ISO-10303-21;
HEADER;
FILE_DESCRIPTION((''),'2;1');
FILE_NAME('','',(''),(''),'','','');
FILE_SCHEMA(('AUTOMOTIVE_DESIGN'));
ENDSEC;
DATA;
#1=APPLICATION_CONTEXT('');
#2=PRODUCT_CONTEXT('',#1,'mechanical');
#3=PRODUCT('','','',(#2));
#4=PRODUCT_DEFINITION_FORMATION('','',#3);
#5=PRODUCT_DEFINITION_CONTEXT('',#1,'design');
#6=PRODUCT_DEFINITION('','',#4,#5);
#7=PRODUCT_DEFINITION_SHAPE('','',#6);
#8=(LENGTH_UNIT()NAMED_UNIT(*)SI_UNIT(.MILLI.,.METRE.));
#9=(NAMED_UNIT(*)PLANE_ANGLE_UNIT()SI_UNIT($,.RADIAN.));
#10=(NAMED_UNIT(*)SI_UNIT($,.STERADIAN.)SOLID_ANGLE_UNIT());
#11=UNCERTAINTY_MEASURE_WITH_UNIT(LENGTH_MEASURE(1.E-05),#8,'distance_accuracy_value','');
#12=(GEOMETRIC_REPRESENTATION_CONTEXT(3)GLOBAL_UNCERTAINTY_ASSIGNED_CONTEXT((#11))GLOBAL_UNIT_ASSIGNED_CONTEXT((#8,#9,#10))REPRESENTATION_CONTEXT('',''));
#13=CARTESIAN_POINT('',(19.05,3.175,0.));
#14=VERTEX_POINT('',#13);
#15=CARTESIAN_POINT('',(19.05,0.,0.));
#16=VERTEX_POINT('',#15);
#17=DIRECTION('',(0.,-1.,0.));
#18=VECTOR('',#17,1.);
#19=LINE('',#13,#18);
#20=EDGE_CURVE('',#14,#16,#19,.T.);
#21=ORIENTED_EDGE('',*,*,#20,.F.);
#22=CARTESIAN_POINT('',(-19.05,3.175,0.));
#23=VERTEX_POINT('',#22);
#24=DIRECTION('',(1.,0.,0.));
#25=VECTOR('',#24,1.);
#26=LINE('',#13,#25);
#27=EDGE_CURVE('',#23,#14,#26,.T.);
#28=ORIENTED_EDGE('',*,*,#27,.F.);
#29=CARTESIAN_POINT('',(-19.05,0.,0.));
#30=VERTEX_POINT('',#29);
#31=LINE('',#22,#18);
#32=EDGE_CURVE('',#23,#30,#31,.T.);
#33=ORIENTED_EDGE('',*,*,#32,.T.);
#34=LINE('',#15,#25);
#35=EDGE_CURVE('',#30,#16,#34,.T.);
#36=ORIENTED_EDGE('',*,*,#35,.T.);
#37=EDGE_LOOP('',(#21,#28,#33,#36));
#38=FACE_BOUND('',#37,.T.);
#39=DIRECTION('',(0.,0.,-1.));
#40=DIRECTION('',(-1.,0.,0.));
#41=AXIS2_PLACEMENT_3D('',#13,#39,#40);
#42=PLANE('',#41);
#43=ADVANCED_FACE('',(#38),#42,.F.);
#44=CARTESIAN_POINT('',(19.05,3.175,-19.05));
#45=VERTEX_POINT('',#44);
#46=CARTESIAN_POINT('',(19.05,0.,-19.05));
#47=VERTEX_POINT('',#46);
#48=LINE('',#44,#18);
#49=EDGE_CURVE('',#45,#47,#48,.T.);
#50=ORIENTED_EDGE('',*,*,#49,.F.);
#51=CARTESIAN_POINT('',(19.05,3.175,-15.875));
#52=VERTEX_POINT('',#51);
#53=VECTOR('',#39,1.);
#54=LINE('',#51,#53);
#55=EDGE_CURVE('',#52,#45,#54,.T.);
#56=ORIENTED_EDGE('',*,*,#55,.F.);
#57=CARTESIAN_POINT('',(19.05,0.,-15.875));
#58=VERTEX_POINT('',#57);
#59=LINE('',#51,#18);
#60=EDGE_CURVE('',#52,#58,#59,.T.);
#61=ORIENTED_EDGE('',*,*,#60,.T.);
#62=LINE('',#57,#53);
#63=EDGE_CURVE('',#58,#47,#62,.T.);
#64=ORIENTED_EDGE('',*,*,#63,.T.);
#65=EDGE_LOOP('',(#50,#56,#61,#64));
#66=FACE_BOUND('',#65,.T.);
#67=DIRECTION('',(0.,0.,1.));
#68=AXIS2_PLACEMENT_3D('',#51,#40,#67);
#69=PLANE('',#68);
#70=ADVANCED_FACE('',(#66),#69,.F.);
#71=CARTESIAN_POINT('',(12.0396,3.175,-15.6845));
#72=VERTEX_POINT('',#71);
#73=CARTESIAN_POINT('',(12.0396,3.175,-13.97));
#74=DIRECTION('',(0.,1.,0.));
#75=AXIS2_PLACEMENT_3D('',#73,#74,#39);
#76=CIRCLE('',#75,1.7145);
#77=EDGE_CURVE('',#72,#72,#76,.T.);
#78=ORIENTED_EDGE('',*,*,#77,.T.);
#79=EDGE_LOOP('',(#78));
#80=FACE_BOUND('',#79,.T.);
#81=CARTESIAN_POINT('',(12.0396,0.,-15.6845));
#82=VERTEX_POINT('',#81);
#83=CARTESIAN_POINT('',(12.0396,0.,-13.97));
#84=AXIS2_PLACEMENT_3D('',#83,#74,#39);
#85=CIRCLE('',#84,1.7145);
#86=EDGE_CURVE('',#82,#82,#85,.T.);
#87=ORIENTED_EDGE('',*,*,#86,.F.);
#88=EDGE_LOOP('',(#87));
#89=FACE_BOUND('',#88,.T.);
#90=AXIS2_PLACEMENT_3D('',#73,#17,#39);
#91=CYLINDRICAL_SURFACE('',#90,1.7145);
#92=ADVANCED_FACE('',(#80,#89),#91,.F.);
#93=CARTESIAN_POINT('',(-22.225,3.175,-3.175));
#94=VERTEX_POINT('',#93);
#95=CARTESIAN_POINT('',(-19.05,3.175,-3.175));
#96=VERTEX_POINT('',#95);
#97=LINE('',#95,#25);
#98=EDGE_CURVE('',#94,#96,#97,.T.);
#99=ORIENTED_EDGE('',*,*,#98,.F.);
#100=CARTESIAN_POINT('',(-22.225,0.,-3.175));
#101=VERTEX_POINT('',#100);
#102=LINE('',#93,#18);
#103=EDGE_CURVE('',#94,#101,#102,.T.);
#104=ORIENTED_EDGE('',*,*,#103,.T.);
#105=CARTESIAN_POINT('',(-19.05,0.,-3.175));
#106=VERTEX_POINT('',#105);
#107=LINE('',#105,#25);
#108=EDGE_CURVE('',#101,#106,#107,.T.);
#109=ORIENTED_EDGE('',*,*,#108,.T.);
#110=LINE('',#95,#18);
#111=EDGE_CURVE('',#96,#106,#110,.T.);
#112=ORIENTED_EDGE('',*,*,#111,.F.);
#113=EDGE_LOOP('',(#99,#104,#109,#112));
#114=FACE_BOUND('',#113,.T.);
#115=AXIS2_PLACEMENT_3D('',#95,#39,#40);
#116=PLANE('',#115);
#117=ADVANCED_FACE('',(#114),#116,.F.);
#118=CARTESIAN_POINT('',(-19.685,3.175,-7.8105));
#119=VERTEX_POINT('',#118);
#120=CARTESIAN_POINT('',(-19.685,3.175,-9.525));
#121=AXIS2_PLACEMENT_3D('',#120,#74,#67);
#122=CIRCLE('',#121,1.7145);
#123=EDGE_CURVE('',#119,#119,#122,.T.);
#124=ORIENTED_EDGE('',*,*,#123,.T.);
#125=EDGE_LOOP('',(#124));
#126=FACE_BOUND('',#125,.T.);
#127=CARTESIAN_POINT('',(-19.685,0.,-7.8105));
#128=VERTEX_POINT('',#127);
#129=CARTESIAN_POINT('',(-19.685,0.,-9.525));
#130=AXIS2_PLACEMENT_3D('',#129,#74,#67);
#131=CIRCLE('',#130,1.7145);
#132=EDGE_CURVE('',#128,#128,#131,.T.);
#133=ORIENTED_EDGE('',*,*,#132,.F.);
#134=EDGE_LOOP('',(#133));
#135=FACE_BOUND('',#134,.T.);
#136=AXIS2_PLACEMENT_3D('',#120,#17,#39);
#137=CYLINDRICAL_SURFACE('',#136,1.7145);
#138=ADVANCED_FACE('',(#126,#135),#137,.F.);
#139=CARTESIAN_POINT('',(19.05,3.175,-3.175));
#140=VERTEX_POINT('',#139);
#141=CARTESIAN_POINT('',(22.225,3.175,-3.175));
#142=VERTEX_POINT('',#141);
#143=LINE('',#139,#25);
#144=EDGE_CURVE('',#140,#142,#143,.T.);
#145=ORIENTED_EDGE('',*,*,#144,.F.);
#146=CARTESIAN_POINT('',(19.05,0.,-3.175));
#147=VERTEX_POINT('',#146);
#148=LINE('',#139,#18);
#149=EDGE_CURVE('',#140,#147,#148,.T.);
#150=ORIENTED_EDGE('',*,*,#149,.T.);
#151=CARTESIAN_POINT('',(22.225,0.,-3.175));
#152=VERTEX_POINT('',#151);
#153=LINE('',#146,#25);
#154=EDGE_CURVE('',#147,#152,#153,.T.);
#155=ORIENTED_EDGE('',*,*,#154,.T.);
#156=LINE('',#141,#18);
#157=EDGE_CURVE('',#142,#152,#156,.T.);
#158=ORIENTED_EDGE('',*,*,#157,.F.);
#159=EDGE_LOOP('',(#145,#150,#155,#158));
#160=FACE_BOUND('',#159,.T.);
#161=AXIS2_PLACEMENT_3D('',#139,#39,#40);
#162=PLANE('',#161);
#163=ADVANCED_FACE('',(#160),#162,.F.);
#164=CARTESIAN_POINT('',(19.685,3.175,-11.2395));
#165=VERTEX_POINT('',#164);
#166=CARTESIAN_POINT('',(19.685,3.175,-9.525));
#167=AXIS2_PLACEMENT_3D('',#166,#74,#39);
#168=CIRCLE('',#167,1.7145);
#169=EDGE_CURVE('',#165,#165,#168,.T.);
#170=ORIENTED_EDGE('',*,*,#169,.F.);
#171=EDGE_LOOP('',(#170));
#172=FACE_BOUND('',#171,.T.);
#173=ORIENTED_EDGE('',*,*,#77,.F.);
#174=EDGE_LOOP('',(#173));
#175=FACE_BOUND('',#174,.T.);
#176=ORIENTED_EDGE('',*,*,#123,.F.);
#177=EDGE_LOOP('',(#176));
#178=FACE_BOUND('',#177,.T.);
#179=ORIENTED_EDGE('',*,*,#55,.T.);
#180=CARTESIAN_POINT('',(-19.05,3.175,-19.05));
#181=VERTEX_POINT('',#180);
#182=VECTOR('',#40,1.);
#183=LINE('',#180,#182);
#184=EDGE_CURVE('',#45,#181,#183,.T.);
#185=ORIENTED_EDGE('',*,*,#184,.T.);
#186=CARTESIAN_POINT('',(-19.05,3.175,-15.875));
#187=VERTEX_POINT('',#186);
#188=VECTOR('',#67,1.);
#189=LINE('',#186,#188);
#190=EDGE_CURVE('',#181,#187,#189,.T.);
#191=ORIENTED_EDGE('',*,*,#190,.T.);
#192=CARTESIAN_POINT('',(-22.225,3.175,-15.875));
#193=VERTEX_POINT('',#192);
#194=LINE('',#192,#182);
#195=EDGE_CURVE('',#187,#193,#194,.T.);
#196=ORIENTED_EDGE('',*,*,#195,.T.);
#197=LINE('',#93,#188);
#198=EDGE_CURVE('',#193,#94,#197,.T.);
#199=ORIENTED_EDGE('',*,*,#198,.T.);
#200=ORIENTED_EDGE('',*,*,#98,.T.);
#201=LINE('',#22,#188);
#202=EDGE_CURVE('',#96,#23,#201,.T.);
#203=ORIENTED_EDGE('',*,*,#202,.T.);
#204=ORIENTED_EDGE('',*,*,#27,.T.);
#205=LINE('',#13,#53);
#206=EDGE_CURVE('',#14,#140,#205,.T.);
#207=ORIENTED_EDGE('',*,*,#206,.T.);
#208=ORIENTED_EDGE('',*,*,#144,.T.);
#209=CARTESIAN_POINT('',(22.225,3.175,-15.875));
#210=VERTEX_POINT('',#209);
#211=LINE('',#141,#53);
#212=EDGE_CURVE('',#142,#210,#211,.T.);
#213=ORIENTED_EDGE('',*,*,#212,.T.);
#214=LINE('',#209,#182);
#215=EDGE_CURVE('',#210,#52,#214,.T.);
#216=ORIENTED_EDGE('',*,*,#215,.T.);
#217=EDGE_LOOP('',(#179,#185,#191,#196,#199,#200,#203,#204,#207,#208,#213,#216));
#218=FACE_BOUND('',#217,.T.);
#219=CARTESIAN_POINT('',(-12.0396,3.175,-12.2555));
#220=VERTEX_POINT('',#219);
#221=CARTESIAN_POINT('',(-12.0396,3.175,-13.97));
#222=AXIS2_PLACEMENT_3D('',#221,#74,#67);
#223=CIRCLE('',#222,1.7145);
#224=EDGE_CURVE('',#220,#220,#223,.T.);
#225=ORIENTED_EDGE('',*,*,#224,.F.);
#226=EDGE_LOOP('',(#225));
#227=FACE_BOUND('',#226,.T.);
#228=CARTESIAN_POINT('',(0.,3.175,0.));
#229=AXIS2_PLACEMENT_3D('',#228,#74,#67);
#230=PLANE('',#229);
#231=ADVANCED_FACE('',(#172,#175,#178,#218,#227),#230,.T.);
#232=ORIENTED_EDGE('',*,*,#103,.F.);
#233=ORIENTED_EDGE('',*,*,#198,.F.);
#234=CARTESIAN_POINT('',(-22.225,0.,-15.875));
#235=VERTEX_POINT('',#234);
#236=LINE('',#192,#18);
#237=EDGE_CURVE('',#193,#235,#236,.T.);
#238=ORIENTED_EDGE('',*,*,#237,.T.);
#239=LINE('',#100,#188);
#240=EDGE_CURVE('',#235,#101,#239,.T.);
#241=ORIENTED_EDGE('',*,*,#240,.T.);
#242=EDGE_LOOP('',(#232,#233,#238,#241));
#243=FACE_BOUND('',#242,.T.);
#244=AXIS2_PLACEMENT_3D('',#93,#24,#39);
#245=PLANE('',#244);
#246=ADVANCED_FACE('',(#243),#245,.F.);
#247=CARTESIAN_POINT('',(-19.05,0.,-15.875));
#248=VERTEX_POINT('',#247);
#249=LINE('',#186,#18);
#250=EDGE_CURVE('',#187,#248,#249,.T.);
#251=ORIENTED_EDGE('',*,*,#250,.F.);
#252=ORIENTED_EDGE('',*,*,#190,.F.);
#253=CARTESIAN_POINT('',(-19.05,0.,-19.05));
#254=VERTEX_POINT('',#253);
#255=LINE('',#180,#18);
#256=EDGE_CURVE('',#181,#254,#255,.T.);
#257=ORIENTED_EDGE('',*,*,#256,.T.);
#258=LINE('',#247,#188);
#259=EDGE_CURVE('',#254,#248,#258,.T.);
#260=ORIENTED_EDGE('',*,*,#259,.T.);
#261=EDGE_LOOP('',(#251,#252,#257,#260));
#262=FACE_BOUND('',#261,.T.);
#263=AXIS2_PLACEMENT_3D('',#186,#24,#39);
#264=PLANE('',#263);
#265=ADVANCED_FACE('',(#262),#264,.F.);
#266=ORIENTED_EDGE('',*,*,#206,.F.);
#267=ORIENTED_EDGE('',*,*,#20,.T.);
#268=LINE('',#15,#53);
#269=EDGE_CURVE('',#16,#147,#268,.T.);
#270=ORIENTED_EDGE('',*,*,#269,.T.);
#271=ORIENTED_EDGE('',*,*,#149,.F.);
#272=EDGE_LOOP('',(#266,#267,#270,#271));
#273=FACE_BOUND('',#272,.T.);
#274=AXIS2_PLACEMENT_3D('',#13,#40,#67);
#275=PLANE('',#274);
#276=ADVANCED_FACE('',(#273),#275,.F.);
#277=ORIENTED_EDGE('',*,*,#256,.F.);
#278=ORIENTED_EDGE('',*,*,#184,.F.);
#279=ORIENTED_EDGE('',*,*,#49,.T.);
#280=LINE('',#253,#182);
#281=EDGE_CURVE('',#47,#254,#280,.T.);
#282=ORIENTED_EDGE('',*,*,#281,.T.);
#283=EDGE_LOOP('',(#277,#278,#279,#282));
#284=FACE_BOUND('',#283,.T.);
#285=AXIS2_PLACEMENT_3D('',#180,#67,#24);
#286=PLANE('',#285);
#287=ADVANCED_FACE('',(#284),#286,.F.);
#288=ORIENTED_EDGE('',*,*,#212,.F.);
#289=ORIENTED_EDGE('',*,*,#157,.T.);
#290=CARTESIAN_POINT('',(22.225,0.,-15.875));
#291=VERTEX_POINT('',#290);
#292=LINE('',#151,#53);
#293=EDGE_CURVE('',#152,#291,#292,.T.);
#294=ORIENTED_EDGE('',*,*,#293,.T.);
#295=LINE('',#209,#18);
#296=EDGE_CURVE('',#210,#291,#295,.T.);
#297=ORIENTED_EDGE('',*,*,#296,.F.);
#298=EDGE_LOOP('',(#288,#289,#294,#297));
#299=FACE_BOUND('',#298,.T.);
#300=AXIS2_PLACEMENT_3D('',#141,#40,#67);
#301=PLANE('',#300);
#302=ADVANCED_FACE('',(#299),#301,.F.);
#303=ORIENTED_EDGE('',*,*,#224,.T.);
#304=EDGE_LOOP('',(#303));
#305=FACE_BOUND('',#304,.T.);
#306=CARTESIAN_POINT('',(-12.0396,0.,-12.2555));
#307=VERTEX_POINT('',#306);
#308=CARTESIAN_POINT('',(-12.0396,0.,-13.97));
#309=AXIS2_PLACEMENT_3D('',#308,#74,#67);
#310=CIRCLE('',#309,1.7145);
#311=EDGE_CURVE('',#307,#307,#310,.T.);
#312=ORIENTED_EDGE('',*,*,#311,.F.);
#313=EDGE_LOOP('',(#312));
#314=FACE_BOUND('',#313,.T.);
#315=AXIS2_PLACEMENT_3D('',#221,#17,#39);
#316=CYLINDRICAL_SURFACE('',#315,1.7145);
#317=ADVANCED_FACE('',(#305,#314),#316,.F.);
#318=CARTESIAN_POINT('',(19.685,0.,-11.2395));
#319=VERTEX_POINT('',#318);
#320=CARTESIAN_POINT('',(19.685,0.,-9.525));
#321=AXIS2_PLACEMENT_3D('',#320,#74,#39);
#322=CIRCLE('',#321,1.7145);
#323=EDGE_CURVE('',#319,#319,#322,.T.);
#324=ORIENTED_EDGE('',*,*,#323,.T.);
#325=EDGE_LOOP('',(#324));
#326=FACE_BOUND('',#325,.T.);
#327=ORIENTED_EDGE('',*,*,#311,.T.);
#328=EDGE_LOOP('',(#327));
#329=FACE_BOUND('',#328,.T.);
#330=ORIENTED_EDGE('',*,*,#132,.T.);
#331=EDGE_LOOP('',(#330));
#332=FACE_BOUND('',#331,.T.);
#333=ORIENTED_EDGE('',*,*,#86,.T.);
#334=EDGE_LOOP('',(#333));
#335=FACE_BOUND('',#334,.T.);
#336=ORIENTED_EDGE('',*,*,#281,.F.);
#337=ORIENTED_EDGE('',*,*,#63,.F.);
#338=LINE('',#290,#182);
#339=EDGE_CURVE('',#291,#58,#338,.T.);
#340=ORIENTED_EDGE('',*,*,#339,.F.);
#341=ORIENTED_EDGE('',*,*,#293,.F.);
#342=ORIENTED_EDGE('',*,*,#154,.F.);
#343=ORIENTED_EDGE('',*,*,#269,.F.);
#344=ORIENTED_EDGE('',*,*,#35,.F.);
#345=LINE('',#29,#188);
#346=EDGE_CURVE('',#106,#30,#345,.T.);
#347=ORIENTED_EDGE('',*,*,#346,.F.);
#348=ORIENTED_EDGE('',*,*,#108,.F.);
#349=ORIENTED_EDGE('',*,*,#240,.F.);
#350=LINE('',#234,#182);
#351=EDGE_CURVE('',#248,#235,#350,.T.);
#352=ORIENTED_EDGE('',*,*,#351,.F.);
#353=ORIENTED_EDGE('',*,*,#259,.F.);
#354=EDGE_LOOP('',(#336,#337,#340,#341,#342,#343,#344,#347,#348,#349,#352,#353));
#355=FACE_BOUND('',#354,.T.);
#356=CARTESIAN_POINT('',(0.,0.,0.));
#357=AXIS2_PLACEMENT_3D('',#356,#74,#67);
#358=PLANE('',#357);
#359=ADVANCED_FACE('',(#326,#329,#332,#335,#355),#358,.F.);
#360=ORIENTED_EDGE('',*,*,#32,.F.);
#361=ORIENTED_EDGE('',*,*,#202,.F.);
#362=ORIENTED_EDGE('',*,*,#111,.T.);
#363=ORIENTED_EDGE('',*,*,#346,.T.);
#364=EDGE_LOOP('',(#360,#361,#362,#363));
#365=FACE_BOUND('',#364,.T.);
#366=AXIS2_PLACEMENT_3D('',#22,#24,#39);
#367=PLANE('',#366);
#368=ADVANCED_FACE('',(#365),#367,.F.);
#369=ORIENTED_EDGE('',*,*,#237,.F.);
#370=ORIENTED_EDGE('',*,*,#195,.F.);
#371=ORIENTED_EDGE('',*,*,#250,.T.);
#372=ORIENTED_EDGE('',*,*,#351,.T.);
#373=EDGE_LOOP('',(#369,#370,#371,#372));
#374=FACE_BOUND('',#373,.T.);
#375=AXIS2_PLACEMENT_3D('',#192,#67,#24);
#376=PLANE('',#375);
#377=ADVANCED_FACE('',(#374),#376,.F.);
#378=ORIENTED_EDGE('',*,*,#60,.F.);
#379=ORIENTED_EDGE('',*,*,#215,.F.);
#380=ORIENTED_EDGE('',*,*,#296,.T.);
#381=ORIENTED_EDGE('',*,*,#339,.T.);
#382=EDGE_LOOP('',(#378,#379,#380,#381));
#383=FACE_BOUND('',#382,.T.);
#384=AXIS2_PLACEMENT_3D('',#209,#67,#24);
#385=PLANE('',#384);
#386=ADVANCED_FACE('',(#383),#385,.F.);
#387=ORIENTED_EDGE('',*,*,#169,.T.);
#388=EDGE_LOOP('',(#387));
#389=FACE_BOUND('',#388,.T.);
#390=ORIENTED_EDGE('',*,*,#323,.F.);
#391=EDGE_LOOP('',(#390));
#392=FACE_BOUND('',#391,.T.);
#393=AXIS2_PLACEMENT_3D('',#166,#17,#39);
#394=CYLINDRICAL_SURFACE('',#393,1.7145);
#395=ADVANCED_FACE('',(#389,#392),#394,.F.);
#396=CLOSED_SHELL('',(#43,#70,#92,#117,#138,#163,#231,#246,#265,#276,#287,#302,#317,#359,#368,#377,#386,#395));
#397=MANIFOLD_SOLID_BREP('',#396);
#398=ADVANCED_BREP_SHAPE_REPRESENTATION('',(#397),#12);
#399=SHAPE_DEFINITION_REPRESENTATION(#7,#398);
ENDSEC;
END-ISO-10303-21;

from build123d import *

# Parameters (mm, degrees)
SKETCH1_R           = 1.7145
BOSS_EXTRUDE2_DEPTH = 3.175


with BuildPart() as part:
    # Sketch1 → Boss-Extrude2 (new body)
    with BuildSketch(Plane(origin=(0, 0, 0), x_dir=(1, 0, 0), z_dir=(0, 1, 0))):
        Polygon((19.05, 0), (-19.05, 0), (-19.05, 3.175), (-22.225, 3.175), (-22.225, 15.875), (-19.05, 15.875), (-19.05, 19.05), (19.05, 19.05), (19.05, 15.875), (22.225, 15.875), (22.225, 3.175), (19.05, 3.175), align=None)
        with Locations(Location((-19.685, 9.525, 0), (0, 0, 270))):
            Circle(SKETCH1_R, mode=Mode.SUBTRACT)
        with Locations(Location((19.685, 9.525, 0), (0, 0, 90))):
            Circle(SKETCH1_R, mode=Mode.SUBTRACT)
        with Locations(Location((-12.0396, 13.97, 0), (0, 0, 270))):
            Circle(SKETCH1_R, mode=Mode.SUBTRACT)
        with Locations(Location((12.0396, 13.97, 0), (0, 0, 90))):
            Circle(SKETCH1_R, mode=Mode.SUBTRACT)
    extrude(amount=BOSS_EXTRUDE2_DEPTH)


solid = part.part
